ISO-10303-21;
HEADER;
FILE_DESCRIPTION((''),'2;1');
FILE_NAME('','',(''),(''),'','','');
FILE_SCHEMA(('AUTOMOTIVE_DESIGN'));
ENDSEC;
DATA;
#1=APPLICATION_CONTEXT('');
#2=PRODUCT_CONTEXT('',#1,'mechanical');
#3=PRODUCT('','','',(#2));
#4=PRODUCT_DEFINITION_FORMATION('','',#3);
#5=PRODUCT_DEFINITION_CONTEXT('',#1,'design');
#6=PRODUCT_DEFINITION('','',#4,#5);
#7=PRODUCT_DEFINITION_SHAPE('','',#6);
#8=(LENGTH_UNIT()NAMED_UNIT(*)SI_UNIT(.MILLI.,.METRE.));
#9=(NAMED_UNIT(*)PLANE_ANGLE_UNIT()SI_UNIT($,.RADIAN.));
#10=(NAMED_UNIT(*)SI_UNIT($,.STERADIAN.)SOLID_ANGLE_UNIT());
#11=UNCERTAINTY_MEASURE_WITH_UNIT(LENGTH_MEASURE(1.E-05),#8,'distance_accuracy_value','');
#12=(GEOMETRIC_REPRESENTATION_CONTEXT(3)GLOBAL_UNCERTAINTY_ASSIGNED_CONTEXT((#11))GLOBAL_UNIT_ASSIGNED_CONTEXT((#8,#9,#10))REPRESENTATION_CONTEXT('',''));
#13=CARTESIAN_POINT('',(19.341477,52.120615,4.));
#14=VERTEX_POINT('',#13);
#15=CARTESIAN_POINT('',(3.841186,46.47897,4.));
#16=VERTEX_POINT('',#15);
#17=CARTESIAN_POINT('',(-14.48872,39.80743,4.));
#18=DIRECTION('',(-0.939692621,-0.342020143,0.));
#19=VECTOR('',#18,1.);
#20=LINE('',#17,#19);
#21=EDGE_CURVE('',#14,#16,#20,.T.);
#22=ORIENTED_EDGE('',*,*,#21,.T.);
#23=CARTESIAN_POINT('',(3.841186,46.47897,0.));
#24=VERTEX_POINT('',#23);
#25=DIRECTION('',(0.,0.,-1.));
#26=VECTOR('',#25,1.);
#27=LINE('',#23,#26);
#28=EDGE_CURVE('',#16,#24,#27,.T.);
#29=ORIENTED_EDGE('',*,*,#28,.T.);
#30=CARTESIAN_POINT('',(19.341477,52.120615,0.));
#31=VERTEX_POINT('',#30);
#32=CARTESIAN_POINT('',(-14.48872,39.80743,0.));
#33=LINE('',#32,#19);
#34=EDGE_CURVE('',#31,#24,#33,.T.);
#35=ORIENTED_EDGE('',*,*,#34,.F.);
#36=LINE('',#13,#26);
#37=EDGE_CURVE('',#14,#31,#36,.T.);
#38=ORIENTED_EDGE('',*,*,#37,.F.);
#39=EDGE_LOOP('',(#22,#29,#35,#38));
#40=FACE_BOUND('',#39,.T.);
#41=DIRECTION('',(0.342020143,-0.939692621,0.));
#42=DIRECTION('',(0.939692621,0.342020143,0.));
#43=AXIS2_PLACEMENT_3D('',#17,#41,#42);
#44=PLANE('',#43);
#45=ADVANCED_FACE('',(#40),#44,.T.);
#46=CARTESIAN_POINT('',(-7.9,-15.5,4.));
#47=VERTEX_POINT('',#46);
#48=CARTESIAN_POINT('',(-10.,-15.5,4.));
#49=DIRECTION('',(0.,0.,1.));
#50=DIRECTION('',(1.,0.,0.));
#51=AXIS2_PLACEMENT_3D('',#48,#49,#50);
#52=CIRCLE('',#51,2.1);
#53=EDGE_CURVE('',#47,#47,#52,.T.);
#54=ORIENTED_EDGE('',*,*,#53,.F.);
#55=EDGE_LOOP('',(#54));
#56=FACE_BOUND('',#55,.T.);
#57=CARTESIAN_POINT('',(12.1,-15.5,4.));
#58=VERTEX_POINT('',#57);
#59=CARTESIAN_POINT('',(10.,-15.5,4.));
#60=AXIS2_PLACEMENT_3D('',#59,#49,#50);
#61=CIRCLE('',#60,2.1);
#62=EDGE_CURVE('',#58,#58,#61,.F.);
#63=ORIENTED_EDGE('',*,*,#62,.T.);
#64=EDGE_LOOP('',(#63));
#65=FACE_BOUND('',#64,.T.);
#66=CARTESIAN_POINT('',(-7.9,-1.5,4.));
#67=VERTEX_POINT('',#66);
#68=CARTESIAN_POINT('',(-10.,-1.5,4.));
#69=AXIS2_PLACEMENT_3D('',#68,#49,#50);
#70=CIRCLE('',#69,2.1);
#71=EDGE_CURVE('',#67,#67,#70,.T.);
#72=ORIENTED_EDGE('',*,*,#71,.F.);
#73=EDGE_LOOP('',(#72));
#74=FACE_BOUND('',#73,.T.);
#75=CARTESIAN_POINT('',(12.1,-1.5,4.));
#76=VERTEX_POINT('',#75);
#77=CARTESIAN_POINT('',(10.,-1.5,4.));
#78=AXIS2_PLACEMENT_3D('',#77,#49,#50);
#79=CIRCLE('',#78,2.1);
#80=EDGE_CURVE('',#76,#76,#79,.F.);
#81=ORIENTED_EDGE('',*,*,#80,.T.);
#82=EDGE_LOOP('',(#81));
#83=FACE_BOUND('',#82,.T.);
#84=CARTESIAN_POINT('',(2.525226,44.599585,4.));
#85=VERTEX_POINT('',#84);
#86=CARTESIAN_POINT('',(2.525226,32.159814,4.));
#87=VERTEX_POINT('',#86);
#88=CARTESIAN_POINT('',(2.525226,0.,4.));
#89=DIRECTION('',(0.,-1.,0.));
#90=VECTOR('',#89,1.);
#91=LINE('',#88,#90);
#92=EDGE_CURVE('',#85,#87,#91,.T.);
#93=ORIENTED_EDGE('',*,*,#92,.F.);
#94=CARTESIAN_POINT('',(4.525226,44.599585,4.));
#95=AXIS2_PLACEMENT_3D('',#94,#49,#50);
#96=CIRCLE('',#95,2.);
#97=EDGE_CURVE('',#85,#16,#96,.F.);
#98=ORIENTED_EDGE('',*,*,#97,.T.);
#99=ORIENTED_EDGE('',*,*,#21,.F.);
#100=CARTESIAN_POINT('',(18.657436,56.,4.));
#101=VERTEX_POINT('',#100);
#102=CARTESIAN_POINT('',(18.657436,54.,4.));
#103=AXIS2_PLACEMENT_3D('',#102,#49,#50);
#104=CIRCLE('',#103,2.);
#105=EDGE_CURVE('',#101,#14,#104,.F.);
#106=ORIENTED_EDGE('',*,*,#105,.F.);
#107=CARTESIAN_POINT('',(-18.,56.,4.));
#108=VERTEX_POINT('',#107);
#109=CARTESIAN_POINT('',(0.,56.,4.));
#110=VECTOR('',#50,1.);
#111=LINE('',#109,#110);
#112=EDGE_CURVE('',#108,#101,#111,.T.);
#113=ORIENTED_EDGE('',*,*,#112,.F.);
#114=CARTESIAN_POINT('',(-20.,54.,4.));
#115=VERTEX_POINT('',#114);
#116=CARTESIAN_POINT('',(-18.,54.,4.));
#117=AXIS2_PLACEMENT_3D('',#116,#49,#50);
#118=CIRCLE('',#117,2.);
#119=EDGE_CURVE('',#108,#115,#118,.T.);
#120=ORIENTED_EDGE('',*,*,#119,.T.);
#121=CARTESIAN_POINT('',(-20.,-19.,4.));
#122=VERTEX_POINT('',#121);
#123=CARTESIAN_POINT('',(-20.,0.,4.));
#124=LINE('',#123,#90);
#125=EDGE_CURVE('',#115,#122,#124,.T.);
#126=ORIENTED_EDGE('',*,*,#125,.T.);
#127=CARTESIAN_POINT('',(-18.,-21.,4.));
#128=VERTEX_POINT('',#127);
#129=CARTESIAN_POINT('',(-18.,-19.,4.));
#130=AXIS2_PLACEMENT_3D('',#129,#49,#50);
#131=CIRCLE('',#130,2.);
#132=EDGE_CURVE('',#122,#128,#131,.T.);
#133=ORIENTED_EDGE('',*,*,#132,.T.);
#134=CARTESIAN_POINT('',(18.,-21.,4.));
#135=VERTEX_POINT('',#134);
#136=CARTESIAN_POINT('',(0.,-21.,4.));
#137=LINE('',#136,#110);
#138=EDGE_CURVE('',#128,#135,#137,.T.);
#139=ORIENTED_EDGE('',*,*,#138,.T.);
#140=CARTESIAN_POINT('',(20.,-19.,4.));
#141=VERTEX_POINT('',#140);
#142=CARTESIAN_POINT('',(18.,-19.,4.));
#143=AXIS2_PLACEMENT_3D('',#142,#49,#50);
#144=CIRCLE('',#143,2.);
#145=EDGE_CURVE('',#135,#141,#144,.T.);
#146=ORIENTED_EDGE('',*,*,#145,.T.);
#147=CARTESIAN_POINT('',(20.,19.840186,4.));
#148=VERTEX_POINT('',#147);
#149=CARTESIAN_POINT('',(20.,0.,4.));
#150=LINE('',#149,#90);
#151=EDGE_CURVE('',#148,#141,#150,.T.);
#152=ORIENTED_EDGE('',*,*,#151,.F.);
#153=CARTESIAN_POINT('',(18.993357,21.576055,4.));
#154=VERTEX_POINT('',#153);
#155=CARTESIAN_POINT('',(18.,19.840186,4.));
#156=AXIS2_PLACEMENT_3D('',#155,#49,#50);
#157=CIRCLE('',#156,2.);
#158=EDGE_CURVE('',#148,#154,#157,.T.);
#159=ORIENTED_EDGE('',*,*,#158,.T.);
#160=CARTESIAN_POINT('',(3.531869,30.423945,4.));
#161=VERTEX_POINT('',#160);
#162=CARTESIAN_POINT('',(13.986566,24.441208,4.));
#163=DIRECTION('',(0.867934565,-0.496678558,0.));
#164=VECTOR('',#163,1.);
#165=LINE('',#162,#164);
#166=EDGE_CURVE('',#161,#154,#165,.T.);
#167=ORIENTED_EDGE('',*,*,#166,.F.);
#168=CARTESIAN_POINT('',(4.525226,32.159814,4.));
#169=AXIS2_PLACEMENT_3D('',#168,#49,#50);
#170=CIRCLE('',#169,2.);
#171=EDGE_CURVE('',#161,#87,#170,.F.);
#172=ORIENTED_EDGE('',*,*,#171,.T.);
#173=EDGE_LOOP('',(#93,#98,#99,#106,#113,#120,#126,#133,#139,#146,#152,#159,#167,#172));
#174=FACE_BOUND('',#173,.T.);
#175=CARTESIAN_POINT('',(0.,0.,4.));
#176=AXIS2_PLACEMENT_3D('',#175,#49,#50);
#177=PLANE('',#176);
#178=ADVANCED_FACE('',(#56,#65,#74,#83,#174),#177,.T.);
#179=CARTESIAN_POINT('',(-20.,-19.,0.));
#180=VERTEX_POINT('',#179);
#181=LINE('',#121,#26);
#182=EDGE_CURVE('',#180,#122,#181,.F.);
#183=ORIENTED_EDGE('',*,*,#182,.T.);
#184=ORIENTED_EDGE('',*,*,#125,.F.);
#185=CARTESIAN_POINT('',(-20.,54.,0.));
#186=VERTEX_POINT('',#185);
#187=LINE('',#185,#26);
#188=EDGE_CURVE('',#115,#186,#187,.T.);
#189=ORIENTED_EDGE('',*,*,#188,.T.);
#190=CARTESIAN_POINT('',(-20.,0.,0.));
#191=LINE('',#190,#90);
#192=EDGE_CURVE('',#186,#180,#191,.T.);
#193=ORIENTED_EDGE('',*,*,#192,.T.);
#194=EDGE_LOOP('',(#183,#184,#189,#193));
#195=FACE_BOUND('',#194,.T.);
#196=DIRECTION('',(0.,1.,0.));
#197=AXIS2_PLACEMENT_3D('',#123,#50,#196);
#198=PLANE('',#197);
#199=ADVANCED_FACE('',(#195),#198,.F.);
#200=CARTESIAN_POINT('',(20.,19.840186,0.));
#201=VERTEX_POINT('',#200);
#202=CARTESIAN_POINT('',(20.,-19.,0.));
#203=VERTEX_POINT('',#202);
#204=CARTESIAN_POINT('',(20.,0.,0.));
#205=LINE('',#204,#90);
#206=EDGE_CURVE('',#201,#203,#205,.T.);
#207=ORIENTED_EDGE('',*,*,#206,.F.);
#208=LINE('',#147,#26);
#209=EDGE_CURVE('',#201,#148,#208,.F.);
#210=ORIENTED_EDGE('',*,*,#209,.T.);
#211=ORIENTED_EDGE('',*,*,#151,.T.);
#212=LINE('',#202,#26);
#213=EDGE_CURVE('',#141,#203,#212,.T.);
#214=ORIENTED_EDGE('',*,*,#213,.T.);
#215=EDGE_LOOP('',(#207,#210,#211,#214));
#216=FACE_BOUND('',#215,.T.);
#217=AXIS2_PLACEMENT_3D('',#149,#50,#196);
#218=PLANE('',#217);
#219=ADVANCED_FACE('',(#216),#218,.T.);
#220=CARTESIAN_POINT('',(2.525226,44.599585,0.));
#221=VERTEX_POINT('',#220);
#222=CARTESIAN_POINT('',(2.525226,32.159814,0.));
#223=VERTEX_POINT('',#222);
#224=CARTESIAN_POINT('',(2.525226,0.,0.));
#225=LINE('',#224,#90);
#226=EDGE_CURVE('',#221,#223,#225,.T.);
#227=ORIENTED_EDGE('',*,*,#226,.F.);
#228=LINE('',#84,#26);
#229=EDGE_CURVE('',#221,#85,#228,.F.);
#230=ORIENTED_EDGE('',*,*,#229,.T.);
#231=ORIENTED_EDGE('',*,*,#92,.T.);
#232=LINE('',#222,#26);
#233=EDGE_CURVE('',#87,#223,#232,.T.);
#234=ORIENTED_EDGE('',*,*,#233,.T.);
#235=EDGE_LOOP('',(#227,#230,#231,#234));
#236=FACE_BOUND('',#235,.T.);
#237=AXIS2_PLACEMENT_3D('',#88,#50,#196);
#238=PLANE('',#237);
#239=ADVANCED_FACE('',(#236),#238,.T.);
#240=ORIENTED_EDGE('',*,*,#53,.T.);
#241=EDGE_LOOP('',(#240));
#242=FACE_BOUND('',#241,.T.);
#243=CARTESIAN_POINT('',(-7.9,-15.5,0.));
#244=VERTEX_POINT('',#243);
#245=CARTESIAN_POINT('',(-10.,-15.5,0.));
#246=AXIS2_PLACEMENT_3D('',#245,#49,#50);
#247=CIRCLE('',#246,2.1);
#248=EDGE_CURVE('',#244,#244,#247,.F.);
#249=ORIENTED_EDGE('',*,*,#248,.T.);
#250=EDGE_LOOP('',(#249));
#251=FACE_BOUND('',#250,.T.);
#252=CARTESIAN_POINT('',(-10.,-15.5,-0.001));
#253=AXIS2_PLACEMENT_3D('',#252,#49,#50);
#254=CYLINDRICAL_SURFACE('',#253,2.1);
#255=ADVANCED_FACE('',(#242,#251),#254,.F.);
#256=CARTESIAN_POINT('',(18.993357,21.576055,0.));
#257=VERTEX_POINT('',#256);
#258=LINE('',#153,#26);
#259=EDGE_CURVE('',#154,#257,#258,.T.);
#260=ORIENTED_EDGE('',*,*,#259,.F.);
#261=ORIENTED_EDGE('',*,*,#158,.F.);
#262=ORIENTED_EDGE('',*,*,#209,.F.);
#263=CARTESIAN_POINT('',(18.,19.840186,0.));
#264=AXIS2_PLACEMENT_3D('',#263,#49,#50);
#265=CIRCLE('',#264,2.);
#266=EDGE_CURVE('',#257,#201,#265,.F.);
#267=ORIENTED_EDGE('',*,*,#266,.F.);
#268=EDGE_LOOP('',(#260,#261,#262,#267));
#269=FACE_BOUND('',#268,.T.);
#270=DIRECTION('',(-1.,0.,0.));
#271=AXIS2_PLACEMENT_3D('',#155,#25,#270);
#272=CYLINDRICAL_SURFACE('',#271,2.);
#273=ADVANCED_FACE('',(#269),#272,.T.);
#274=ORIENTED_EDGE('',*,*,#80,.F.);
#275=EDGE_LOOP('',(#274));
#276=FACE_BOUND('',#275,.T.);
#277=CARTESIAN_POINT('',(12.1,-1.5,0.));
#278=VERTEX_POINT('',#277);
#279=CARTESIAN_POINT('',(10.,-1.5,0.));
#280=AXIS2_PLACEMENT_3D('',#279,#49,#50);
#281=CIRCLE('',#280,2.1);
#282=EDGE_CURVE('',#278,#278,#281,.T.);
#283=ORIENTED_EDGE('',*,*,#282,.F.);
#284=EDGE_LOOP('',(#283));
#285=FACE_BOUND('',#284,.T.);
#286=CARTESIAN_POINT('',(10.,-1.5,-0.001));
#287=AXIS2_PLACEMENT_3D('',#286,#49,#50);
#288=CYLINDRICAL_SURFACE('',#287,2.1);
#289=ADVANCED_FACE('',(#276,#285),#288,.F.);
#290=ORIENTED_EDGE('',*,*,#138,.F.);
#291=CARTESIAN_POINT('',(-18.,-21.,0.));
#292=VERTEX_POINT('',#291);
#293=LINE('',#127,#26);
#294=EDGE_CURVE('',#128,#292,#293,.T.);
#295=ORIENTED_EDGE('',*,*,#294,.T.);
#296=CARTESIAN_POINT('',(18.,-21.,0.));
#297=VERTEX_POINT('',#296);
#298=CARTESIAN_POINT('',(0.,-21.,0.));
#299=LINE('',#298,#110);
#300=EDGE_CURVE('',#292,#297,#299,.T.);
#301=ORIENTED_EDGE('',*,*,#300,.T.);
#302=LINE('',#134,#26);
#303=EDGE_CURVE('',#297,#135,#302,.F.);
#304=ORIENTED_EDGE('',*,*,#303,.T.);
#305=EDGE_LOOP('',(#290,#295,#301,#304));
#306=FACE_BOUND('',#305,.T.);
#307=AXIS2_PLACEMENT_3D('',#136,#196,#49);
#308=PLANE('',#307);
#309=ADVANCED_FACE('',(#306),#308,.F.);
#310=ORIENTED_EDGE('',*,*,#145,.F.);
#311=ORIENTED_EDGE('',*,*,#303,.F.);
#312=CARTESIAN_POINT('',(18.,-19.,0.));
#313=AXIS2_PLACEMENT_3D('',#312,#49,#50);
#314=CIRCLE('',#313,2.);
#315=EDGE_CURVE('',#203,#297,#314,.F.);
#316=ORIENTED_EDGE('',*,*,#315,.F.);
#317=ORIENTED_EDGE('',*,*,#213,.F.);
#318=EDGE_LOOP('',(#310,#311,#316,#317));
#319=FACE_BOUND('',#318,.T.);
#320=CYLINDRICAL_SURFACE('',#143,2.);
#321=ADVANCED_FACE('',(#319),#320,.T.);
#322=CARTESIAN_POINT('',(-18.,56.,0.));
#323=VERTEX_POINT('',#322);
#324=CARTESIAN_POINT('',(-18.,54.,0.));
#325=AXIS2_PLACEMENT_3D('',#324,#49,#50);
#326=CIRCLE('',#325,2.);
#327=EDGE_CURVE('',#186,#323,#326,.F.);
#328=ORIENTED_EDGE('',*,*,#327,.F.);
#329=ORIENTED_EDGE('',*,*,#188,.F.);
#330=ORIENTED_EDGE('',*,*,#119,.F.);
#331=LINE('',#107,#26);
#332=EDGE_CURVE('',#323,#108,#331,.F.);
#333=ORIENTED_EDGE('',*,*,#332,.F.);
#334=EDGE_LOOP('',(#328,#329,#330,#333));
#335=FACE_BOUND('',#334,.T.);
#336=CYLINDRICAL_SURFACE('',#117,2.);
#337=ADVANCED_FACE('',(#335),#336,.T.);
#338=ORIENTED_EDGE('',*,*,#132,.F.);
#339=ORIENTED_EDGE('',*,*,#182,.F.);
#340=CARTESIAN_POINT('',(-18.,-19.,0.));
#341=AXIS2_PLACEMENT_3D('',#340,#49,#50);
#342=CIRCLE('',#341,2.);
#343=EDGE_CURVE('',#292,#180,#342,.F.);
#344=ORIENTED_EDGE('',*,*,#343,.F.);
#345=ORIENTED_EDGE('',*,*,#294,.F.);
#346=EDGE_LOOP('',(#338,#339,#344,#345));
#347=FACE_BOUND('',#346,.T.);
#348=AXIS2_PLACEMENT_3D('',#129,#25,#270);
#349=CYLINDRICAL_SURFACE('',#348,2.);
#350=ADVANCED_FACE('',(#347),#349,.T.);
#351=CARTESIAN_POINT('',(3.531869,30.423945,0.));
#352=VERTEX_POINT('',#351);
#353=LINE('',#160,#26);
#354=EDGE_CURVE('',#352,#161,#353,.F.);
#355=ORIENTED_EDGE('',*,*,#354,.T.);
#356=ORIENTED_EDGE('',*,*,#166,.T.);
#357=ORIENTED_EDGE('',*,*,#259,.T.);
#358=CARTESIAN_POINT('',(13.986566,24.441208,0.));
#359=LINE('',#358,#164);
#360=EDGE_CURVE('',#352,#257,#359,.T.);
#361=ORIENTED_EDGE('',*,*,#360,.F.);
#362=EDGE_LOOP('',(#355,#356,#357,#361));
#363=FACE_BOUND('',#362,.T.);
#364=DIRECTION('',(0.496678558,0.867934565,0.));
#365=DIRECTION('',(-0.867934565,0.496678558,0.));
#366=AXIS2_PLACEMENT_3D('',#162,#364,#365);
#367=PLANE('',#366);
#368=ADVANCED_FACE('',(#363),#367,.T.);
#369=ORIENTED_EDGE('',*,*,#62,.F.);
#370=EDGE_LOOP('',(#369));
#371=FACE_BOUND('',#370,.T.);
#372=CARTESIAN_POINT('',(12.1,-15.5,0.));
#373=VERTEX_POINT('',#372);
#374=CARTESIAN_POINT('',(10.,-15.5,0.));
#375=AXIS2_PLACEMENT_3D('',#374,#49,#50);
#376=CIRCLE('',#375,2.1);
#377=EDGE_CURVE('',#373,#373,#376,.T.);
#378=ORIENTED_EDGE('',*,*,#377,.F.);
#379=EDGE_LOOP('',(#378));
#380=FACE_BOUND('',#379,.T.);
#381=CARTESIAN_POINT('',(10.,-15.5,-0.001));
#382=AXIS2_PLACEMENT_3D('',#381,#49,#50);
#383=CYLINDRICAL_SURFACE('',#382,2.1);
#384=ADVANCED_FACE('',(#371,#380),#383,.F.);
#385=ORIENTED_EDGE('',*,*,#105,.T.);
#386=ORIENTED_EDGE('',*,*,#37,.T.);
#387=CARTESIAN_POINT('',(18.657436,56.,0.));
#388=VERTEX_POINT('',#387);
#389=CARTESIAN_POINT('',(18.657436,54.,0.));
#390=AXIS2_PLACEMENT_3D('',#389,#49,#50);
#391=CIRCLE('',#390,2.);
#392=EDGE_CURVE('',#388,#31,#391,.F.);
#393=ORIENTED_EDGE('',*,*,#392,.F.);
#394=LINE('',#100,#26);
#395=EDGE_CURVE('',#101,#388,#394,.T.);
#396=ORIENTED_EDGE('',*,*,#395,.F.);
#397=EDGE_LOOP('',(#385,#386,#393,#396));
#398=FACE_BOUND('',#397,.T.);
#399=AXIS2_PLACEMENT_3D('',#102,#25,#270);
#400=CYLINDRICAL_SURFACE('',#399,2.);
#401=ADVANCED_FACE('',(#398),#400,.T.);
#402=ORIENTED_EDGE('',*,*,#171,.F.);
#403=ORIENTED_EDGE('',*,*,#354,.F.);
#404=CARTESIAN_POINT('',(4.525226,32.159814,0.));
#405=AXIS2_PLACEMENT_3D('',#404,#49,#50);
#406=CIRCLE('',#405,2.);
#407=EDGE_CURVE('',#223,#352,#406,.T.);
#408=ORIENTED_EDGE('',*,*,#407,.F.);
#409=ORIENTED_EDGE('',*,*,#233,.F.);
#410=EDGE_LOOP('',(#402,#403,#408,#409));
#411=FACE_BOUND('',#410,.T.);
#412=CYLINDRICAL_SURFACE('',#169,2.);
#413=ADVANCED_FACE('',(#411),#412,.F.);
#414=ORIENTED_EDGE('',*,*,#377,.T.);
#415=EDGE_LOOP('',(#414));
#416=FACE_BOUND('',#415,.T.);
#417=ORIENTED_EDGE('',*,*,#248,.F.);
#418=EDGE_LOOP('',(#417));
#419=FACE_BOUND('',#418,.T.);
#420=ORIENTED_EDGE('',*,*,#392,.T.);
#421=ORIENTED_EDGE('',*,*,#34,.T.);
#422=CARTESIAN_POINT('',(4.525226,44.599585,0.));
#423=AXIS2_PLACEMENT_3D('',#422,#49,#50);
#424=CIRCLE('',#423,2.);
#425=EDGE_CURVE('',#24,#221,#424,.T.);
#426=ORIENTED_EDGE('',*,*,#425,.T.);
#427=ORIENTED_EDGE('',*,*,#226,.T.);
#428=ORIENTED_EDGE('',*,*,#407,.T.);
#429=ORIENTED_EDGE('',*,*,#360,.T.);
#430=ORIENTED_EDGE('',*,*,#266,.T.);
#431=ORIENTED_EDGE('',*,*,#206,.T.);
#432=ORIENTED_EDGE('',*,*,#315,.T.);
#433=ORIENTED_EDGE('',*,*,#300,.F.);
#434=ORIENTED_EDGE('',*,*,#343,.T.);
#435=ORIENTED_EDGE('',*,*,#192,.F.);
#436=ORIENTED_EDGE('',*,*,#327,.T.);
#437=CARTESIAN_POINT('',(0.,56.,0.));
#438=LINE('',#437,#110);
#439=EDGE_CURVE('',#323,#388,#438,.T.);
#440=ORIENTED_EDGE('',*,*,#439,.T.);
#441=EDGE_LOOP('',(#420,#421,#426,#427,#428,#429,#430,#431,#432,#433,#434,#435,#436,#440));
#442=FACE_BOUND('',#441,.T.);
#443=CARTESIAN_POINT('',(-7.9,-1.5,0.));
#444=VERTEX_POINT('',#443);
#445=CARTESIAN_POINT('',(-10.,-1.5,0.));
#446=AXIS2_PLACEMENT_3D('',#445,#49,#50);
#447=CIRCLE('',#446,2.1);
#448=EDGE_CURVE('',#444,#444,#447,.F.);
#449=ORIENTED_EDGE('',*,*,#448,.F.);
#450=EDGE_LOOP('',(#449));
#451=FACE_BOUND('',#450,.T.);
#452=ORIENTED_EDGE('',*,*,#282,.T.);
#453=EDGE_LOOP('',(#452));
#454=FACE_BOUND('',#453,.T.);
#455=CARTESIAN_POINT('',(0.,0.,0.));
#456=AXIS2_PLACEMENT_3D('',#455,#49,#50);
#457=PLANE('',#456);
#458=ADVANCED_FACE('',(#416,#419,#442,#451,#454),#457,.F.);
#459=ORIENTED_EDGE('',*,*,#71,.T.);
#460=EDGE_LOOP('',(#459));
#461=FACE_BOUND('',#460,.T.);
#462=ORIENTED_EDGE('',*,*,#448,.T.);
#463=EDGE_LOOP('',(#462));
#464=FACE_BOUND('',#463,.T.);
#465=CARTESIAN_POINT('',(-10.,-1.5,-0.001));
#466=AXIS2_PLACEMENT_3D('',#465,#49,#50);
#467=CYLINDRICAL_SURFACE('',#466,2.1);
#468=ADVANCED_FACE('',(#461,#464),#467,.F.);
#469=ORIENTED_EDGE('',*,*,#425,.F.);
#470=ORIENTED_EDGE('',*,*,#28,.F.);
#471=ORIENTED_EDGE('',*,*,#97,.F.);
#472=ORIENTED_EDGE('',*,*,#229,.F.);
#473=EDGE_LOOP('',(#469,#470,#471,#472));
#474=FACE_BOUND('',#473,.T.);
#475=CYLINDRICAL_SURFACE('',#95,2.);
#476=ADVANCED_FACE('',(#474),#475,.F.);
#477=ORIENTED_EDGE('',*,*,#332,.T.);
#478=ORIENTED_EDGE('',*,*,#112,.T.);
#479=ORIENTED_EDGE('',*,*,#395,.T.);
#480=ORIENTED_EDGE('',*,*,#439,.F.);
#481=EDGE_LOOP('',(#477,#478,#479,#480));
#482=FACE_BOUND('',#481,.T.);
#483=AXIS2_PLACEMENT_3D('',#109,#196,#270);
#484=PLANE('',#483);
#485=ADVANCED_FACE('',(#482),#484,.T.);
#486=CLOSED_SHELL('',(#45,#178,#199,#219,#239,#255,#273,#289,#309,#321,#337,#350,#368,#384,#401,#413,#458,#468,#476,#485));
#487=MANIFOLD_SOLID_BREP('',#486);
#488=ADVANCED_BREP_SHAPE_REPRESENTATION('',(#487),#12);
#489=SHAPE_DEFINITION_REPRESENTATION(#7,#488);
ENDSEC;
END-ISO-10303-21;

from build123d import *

# Parameters (mm, degrees)
EXTRUDE_1_DEPTH     = 4
CUT_EXTRUDE_1_REACH = 61.822
SKETCH_2_R          = 2.1
FILLET_1_R          = 2


with BuildPart() as part:
    # 草图1 → 凸台-拉伸1 (new body)
    with BuildSketch(Plane.XY):
        with BuildLine():
            Line((18.657436361, 56), (-20, 56))
            Line((-20, 56), (-20, 21))
            Line((-20, 21), (-20, -21))
            Line((-20, -21), (20, -21))
            Line((20, -21), (20, 21))
            Line((20, 21), (2.525225805, 31))
            Line((2.525225805, 31), (2.525225805, 46))
            Line((2.525225805, 46), (19.341476647, 52.120614758))
            ThreePointArc((19.341476647, 52.120614758), (20.627051867, 54.347296355), (18.657436361, 56))
        make_face()
    extrude(amount=EXTRUDE_1_DEPTH)

    # 草图2 → 切除-拉伸1 (cut, up to next)
    with BuildSketch(Plane.XY.offset(4), mode=Mode.PRIVATE) as cut_extrude_1_sk1:
        with Locations((-10, -15.5)):
            Circle(SKETCH_2_R)
    cut_extrude_1_tool1 = extrude(cut_extrude_1_sk1.sketch, amount=-CUT_EXTRUDE_1_REACH, mode=Mode.PRIVATE) & part.part
    # 草图2 → 切除-拉伸1 (cut, up to next)
    with BuildSketch(Plane.XY.offset(4), mode=Mode.PRIVATE) as cut_extrude_1_sk2:
        with Locations((-10, -1.5)):
            Circle(SKETCH_2_R)
    cut_extrude_1_tool2 = extrude(cut_extrude_1_sk2.sketch, amount=-CUT_EXTRUDE_1_REACH, mode=Mode.PRIVATE) & part.part
    # 草图2 → 切除-拉伸1 (cut, up to next)
    with BuildSketch(Plane.XY.offset(4), mode=Mode.PRIVATE) as cut_extrude_1_sk3:
        with Locations((10, -1.5)):
            Circle(SKETCH_2_R)
    cut_extrude_1_tool3 = extrude(cut_extrude_1_sk3.sketch, amount=-CUT_EXTRUDE_1_REACH, mode=Mode.PRIVATE) & part.part
    # 草图2 → 切除-拉伸1 (cut, up to next)
    with BuildSketch(Plane.XY.offset(4), mode=Mode.PRIVATE) as cut_extrude_1_sk4:
        with Locations((10, -15.5)):
            Circle(SKETCH_2_R)
    cut_extrude_1_tool4 = extrude(cut_extrude_1_sk4.sketch, amount=-CUT_EXTRUDE_1_REACH, mode=Mode.PRIVATE) & part.part
    add(cut_extrude_1_tool1.solids().sort_by_distance((-10, -15.5, 4))[0], mode=Mode.SUBTRACT)
    add(cut_extrude_1_tool2.solids().sort_by_distance((-10, -1.5, 4))[0], mode=Mode.SUBTRACT)
    add(cut_extrude_1_tool3.solids().sort_by_distance((10, -1.5, 4))[0], mode=Mode.SUBTRACT)
    add(cut_extrude_1_tool4.solids().sort_by_distance((10, -15.5, 4))[0], mode=Mode.SUBTRACT)

    # 圆角1
    fillet_1_edges = [part.edges().sort_by_distance(p)[0] for p in [
        (2.525225805, 46, 2),
        (2.525225805, 31, 2),
        (20, 21, 2),
        (20, -21, 2),
        (-20, -21, 2),
        (-20, 56, 2),
    ]]
    fillet(fillet_1_edges, radius=FILLET_1_R)


solid = part.part
